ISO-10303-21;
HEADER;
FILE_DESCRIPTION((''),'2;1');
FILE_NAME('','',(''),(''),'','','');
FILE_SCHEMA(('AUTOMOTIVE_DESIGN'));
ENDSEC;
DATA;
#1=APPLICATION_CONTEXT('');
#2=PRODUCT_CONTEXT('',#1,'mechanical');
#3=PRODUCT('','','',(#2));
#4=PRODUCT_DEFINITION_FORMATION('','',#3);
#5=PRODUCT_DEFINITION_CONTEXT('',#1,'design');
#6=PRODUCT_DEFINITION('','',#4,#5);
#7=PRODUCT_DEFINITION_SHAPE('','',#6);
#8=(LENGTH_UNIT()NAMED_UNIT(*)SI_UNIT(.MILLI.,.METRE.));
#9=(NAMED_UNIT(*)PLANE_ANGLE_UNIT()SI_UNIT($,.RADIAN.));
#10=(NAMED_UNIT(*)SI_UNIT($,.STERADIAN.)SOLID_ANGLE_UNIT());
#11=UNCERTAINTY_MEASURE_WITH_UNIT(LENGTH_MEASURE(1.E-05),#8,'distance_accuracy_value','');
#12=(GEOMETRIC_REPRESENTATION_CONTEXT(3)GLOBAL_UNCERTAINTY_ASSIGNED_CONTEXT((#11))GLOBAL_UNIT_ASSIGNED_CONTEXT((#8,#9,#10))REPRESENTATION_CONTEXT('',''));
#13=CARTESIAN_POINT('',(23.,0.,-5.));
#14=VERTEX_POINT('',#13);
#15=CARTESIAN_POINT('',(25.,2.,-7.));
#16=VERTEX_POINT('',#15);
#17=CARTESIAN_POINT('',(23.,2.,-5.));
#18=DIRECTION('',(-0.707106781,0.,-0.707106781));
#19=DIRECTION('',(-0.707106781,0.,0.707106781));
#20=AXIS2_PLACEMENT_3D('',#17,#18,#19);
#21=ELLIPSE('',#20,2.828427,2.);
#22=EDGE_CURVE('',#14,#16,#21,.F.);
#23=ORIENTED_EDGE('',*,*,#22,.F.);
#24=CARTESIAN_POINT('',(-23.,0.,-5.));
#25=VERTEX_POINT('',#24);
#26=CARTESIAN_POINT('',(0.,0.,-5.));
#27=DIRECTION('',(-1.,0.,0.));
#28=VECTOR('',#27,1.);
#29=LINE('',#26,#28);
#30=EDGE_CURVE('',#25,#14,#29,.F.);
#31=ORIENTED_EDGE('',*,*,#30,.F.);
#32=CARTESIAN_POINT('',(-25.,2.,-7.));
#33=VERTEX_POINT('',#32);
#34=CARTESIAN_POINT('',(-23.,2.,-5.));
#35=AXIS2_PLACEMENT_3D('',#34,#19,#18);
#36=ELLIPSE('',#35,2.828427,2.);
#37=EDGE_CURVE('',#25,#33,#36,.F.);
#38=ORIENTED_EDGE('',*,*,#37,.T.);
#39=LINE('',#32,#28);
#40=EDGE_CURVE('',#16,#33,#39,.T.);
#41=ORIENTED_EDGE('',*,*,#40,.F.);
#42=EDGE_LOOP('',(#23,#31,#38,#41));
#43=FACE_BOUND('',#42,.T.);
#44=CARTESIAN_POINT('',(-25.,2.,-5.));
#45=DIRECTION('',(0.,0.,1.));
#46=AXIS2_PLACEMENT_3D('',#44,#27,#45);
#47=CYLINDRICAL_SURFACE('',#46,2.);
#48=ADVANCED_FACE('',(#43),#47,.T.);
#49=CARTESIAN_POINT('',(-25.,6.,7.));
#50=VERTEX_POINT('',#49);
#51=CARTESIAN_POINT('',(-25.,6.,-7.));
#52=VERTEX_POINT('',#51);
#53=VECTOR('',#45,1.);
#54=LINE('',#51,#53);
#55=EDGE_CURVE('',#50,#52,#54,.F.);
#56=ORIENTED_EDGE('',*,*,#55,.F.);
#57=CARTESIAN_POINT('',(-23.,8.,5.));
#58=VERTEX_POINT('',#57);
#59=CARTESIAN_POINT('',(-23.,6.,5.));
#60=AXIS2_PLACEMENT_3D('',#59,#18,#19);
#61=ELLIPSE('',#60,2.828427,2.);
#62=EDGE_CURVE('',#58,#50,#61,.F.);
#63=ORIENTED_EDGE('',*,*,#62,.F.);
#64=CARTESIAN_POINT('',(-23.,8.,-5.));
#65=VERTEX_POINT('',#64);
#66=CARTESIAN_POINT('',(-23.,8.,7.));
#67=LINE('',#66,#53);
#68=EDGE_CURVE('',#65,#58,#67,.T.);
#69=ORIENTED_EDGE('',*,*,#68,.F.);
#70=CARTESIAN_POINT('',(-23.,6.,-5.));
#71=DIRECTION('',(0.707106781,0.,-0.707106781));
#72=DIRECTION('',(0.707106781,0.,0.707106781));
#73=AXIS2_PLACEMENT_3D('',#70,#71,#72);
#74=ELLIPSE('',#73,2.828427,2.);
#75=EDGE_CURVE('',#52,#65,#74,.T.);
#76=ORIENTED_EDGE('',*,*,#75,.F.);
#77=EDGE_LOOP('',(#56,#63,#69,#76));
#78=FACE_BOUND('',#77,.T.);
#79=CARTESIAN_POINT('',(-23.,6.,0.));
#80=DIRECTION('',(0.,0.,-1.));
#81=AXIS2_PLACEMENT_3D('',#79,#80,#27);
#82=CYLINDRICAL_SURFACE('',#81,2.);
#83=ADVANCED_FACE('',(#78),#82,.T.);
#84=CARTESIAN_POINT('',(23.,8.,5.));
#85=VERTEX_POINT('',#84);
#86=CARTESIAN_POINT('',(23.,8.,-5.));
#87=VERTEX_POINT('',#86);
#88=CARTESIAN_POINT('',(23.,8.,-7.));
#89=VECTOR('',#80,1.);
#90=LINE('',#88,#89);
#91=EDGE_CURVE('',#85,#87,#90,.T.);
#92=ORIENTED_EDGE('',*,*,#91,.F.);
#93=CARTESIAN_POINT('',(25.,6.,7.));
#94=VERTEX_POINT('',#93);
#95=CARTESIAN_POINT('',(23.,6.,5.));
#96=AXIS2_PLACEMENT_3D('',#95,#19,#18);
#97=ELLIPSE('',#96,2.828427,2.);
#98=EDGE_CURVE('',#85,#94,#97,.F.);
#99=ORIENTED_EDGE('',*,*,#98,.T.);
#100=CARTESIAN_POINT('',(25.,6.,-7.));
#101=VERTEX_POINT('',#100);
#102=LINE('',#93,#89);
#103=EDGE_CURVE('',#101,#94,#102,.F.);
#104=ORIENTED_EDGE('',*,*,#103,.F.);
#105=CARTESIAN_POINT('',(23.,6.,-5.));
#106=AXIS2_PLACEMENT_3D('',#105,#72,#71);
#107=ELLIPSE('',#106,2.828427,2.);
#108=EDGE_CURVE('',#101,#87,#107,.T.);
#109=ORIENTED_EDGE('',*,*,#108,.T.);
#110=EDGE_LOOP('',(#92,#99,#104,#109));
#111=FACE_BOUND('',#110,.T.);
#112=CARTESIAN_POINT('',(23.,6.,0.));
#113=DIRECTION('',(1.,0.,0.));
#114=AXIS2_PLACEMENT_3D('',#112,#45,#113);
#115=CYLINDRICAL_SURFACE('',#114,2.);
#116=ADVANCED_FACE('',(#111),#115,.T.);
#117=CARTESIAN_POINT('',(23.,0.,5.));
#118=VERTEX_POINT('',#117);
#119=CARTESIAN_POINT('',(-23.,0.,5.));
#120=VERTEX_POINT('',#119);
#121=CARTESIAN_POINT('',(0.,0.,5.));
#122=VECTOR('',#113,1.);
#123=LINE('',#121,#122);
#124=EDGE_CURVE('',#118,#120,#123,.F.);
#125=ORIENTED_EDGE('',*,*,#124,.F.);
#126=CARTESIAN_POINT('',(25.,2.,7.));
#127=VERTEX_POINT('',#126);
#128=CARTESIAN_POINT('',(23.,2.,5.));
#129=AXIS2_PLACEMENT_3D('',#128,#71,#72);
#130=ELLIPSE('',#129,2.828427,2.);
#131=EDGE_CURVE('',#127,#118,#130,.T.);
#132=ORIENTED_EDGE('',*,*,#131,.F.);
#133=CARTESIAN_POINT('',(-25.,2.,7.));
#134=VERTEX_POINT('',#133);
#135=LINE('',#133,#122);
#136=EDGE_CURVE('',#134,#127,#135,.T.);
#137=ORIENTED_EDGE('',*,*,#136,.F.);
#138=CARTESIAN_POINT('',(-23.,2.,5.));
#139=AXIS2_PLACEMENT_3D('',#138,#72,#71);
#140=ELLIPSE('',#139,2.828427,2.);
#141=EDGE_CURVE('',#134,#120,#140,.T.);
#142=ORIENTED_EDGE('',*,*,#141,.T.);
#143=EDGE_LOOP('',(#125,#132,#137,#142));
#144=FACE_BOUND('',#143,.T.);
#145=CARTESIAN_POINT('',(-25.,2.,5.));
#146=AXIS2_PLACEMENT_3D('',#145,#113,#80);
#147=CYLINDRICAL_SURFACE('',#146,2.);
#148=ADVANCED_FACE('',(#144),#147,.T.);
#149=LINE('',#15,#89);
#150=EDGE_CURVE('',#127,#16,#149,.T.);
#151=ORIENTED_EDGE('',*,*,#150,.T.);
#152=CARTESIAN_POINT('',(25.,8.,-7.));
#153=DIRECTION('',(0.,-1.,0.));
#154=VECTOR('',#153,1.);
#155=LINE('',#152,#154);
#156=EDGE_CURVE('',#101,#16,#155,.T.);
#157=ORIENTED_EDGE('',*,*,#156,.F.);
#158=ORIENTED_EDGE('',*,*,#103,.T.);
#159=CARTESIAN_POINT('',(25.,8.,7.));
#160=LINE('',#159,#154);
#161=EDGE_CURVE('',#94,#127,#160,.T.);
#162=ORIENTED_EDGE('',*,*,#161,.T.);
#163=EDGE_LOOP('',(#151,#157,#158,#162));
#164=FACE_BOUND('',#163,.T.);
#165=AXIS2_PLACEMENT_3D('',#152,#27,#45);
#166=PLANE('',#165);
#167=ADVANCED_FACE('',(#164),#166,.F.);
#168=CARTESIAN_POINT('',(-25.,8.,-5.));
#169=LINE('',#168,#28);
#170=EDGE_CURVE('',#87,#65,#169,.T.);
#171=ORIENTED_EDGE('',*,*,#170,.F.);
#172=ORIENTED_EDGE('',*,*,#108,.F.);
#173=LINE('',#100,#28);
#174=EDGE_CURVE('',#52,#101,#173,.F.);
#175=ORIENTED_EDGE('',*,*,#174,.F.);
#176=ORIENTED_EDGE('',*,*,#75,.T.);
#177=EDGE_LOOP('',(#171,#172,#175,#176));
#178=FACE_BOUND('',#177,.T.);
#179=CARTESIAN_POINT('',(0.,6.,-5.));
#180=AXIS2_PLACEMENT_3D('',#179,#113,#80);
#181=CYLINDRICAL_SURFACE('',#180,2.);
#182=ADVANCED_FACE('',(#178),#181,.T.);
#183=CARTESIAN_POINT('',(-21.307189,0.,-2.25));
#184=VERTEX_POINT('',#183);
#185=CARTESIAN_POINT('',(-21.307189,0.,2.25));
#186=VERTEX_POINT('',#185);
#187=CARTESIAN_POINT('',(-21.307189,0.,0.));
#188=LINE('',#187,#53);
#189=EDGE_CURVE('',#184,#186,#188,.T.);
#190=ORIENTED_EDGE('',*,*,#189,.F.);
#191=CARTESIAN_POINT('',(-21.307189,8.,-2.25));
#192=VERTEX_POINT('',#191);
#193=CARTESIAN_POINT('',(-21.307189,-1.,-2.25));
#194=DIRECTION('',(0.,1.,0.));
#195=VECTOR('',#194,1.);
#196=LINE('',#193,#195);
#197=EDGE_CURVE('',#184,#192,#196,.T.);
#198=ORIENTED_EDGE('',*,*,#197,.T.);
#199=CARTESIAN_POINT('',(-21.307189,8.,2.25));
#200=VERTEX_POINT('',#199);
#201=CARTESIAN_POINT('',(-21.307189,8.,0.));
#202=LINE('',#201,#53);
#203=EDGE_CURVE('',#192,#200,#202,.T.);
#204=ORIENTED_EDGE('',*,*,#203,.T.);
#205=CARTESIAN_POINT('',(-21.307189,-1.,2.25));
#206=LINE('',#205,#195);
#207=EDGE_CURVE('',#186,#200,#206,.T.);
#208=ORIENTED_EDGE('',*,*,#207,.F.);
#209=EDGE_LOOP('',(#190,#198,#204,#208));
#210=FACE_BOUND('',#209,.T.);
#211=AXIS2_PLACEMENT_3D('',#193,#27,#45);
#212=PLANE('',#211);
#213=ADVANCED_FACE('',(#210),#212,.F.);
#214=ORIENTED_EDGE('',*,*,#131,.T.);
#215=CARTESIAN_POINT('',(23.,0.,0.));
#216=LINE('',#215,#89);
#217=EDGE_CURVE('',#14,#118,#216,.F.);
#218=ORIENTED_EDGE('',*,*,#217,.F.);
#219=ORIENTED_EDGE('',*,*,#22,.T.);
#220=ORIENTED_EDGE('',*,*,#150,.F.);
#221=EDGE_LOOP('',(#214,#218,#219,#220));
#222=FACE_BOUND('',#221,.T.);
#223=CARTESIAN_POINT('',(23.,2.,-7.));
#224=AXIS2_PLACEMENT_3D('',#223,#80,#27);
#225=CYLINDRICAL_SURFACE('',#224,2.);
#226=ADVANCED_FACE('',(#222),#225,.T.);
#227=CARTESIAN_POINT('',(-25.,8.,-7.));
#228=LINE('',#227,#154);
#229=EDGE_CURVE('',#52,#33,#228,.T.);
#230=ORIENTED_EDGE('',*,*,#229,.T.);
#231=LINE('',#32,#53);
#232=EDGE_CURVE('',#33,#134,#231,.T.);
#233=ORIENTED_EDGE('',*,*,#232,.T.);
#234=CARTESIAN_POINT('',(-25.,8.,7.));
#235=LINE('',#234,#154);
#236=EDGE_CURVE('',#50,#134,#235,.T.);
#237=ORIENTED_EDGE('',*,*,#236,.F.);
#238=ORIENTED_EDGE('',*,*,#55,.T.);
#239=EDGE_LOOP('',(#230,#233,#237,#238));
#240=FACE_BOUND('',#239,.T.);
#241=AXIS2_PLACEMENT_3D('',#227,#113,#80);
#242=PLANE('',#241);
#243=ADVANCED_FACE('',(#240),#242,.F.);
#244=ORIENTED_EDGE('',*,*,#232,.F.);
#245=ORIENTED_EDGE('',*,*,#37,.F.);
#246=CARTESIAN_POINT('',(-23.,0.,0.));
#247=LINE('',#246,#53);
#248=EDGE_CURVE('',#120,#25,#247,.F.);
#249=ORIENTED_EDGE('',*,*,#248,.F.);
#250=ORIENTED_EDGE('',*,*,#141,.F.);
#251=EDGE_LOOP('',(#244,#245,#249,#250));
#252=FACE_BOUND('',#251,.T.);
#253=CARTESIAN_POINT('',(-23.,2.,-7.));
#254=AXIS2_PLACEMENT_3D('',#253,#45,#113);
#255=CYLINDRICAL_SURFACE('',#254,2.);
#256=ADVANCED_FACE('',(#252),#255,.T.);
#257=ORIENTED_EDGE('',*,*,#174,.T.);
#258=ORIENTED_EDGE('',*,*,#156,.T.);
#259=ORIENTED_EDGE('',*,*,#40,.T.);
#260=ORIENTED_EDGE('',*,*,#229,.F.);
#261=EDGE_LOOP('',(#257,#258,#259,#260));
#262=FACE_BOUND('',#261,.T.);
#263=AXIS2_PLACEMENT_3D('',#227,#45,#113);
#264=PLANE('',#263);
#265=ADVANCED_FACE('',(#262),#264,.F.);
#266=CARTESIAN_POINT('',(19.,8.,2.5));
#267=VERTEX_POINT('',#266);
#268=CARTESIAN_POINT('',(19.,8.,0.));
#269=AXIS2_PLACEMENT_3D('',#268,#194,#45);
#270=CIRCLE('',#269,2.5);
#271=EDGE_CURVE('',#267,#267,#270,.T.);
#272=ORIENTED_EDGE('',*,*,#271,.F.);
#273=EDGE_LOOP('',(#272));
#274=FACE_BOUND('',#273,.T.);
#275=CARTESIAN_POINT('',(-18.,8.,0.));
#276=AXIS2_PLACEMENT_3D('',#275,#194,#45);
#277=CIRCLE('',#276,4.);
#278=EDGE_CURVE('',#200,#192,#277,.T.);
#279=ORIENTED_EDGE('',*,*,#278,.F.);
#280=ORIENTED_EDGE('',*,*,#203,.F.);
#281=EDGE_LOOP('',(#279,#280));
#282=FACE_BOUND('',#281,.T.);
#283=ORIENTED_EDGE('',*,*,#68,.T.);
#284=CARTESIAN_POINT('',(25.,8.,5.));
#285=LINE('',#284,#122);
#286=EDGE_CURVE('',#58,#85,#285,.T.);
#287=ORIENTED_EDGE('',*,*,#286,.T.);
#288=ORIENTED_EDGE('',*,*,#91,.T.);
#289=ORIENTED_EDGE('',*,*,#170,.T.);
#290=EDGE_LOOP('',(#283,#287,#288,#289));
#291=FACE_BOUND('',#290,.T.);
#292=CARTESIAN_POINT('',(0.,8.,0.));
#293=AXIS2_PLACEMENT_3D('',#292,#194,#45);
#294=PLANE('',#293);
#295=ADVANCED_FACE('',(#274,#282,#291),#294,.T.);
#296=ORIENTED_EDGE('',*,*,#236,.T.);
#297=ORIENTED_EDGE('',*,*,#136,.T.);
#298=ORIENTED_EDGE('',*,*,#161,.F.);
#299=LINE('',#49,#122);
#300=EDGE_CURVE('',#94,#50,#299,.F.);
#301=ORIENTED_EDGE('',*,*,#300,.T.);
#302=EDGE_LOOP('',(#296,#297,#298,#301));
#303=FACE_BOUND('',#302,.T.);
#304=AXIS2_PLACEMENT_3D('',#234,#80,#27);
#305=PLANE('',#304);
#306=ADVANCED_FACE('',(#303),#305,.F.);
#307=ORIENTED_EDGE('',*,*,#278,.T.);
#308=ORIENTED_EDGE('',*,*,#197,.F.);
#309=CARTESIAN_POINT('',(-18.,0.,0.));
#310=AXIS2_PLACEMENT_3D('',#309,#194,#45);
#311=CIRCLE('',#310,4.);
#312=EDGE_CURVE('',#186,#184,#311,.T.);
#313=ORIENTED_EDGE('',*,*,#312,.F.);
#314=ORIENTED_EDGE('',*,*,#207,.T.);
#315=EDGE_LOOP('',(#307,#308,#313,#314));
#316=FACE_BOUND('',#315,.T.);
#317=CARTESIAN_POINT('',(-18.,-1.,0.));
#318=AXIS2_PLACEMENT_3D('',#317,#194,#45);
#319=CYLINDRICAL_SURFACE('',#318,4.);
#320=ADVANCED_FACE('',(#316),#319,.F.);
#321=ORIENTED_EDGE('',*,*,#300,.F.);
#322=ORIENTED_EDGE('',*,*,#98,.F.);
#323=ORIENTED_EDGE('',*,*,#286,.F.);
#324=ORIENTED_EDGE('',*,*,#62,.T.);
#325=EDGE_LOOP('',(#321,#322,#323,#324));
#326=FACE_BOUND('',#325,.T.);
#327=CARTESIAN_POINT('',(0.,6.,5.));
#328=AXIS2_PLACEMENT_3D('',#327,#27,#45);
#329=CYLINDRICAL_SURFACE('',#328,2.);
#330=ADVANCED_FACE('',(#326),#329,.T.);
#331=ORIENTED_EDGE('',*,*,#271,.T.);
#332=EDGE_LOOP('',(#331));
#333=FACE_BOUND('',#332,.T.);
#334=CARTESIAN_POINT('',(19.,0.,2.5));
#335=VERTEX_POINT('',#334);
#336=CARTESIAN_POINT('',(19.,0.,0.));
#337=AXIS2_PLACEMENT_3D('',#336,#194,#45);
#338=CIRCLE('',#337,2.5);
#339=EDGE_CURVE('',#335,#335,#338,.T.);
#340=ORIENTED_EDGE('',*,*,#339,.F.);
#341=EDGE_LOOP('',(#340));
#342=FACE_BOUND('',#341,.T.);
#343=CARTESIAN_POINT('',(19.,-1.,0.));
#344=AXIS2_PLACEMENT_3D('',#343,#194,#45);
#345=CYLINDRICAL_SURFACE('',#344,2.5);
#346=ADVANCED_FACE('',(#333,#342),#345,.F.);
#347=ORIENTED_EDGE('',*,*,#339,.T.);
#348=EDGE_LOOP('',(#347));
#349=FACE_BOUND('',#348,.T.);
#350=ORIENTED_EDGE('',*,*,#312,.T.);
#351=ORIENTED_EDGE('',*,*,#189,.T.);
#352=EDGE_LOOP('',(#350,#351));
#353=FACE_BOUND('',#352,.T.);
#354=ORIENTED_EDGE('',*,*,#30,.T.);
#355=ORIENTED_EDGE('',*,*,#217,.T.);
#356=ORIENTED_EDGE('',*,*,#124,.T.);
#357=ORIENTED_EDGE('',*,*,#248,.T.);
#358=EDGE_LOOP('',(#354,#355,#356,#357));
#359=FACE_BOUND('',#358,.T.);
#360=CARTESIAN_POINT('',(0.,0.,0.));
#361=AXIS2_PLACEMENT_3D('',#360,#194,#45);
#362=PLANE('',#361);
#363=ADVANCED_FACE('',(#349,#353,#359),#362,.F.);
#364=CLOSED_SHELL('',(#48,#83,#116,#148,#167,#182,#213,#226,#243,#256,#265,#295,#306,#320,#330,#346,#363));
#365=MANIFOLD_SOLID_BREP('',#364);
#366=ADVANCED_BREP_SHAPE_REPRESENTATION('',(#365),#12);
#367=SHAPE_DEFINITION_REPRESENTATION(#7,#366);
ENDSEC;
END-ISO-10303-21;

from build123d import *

# Parameters (mm, degrees)
SKETCH2_W           = 50
SKETCH2_H           = 14
BOSS_EXTRUDE1_DEPTH = 8
SKETCH3_R           = 2.5
CUT_EXTRUDE2_DEPTH  = 9
FILLET5_R           = 2


with BuildPart() as part:
    # Sketch2 → Boss-Extrude1 (new body)
    with BuildSketch(Plane(origin=(0, 0, 0), x_dir=(1, 0, 0), z_dir=(0, 1, 0))):
        Rectangle(SKETCH2_W, SKETCH2_H)
    extrude(amount=BOSS_EXTRUDE1_DEPTH)

    # Sketch3 → Cut-Extrude2 (cut, symmetric)
    with BuildSketch(Plane(origin=(0, 8, 0), x_dir=(1, 0, 0), z_dir=(0, 1, 0))):
        with Locations((19, 0)):
            Circle(SKETCH3_R)
        with BuildLine():
            Line((-21.307189139, 2.25), (-21.307189139, -2.25))
            ThreePointArc((-21.307189139, -2.25), (-14, 0), (-21.307189139, 2.25))
        make_face()
    extrude(amount=CUT_EXTRUDE2_DEPTH, both=True, mode=Mode.SUBTRACT)

    # Fillet5
    fillet5_edges = [part.edges().sort_by_distance(p)[0] for p in [
        (-25, 8, 0),
        (0, 8, 7),
        (25, 8, 0),
        (0, 0, 7),
        (-25, 0, 0),
        (0, 0, -7),
        (25, 0, 0),
        (0, 8, -7),
    ]]
    fillet(fillet5_edges, radius=FILLET5_R)


solid = part.part
